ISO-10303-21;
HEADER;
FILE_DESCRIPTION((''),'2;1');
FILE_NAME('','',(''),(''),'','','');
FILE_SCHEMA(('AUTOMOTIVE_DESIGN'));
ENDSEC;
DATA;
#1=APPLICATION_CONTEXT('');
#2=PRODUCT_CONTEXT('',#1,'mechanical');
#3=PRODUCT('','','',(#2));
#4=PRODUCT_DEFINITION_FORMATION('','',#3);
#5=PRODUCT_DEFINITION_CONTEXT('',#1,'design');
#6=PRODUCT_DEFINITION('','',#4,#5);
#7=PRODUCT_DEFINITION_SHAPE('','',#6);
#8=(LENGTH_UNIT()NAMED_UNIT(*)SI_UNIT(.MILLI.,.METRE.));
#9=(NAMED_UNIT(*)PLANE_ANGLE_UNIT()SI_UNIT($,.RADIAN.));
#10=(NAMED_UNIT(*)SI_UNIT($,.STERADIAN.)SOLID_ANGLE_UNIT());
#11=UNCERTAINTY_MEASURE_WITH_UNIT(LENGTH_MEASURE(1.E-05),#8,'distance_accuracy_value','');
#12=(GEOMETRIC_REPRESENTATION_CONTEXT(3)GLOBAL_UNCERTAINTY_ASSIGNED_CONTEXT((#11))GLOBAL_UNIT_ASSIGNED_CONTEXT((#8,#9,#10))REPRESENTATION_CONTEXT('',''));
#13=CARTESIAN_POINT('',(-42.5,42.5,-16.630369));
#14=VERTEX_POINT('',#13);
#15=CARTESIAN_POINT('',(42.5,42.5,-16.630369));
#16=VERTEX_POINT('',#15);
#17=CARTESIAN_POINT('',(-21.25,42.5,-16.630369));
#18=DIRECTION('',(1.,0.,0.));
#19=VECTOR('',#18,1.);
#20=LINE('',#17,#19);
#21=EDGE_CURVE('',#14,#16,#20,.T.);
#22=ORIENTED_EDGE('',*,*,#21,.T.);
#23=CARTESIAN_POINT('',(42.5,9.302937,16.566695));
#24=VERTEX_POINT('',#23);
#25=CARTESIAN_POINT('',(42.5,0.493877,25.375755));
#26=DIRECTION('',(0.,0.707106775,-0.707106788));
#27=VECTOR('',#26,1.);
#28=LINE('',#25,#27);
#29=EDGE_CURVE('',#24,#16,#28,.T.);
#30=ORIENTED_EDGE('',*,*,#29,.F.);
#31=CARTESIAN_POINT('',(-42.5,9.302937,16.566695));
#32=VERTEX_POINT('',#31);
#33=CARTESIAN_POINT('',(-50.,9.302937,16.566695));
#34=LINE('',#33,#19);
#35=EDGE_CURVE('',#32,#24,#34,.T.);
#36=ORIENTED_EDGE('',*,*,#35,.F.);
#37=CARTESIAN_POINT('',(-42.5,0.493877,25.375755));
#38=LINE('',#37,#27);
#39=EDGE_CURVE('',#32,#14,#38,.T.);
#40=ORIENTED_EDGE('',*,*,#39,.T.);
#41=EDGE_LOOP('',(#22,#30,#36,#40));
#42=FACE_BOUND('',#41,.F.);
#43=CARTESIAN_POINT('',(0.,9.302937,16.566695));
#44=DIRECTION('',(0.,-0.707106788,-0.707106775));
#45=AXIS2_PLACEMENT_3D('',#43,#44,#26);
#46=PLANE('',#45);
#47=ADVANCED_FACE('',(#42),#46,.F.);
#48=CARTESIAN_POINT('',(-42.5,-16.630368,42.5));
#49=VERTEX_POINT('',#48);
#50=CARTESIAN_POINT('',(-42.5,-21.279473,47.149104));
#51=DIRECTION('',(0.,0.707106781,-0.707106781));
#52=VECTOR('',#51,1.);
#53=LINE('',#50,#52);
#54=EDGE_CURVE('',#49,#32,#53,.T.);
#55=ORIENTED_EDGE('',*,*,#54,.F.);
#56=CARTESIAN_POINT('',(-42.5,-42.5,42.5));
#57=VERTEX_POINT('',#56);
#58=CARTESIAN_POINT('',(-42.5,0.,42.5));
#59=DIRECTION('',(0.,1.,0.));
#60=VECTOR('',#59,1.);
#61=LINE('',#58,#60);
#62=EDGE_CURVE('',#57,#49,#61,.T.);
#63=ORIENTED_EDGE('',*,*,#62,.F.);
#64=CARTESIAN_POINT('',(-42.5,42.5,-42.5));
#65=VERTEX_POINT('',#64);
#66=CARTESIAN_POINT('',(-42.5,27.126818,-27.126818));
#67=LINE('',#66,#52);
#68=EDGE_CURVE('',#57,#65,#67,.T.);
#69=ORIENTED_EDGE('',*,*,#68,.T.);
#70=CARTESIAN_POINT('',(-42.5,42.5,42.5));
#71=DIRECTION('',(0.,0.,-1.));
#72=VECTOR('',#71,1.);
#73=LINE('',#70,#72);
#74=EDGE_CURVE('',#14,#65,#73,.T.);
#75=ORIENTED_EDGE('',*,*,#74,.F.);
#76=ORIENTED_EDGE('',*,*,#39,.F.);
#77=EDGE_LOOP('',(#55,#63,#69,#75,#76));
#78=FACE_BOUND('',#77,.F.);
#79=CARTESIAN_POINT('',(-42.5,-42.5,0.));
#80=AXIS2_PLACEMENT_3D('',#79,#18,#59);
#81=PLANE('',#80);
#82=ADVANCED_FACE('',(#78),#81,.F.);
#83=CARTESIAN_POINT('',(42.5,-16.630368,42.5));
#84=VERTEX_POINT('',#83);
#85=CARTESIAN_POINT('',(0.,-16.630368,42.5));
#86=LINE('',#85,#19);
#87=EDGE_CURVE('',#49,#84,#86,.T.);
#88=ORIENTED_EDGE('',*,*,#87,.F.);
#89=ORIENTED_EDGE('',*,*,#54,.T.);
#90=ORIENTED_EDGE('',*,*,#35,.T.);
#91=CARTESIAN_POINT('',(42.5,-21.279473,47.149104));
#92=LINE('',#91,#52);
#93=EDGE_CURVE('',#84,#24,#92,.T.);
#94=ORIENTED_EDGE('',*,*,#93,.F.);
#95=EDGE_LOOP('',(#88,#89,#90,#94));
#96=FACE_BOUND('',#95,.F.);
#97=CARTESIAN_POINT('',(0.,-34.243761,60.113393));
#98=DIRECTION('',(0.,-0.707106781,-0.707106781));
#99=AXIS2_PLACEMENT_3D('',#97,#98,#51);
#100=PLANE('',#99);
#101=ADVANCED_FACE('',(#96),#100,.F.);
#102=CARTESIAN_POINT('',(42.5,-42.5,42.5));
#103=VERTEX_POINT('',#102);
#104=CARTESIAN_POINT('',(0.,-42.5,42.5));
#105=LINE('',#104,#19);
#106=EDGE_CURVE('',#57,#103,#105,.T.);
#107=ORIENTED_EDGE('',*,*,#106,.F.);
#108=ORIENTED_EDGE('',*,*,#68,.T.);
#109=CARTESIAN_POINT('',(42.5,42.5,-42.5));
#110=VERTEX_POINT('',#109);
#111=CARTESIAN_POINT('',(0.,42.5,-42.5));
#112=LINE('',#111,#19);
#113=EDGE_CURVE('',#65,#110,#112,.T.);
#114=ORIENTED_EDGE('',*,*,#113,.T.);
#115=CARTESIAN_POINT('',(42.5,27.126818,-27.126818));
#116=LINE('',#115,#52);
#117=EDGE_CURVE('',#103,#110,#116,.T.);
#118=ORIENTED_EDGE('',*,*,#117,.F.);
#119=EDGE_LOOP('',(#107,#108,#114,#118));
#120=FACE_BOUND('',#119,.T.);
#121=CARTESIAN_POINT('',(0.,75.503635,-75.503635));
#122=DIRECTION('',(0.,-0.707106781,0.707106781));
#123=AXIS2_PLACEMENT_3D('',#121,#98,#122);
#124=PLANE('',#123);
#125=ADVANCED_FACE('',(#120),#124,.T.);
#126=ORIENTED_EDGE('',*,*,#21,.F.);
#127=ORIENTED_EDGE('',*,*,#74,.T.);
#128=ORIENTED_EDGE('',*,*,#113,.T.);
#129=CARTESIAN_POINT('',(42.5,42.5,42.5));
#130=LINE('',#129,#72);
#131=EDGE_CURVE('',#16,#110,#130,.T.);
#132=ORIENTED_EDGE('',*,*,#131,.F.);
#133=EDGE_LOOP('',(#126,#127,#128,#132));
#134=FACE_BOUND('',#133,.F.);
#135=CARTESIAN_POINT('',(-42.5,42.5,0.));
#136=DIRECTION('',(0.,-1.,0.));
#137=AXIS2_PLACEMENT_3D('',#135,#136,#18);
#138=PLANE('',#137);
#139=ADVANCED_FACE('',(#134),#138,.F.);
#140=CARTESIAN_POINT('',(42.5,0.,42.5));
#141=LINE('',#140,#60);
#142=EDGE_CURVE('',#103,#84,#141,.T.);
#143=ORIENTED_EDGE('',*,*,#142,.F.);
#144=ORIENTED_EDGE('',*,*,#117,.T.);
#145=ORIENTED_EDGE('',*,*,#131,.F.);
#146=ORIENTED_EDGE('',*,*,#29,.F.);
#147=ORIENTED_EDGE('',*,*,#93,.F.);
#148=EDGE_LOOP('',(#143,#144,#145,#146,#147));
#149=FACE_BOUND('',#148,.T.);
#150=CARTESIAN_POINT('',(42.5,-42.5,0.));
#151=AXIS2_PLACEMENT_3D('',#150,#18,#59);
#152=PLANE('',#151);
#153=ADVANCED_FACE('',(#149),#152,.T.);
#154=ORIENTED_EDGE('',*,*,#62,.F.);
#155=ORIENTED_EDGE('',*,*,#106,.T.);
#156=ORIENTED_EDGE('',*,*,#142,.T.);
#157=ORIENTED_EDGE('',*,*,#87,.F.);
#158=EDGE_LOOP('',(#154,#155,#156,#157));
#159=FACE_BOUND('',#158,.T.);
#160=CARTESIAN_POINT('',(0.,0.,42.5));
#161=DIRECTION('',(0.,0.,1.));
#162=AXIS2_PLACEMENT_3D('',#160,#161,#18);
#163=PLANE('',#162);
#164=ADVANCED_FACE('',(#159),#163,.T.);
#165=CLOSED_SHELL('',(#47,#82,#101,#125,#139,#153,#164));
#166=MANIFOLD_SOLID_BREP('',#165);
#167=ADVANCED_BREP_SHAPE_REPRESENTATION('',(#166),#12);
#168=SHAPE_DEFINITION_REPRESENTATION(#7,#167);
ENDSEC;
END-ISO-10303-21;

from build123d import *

# Parameters (mm, degrees)
F0_W     = 85
F0_H     = 85
F1_DEPTH = 42.5
F7_DEPTH = 50


with BuildPart() as f1:
    # F0 (on Top) → F1 (new body, symmetric)
    with BuildSketch(Plane.XY):
        Rectangle(F0_W, F0_H)
    extrude(amount=F1_DEPTH, both=True)

    # F6 (on Right) → F7 (cut, symmetric)
    with BuildSketch(Plane.YZ):
        Polygon((75.503635, -75.503635), (0, 0), (-49.804213, 49.804213), (-49.804213, -75.503635), align=None)
        Polygon((-34.243761, 60.113393), (9.302937, 16.566695), (63.825734, -37.956103), (63.825734, 60.113393), align=None)
    extrude(amount=F7_DEPTH, both=True, mode=Mode.SUBTRACT)


solid = f1.part
